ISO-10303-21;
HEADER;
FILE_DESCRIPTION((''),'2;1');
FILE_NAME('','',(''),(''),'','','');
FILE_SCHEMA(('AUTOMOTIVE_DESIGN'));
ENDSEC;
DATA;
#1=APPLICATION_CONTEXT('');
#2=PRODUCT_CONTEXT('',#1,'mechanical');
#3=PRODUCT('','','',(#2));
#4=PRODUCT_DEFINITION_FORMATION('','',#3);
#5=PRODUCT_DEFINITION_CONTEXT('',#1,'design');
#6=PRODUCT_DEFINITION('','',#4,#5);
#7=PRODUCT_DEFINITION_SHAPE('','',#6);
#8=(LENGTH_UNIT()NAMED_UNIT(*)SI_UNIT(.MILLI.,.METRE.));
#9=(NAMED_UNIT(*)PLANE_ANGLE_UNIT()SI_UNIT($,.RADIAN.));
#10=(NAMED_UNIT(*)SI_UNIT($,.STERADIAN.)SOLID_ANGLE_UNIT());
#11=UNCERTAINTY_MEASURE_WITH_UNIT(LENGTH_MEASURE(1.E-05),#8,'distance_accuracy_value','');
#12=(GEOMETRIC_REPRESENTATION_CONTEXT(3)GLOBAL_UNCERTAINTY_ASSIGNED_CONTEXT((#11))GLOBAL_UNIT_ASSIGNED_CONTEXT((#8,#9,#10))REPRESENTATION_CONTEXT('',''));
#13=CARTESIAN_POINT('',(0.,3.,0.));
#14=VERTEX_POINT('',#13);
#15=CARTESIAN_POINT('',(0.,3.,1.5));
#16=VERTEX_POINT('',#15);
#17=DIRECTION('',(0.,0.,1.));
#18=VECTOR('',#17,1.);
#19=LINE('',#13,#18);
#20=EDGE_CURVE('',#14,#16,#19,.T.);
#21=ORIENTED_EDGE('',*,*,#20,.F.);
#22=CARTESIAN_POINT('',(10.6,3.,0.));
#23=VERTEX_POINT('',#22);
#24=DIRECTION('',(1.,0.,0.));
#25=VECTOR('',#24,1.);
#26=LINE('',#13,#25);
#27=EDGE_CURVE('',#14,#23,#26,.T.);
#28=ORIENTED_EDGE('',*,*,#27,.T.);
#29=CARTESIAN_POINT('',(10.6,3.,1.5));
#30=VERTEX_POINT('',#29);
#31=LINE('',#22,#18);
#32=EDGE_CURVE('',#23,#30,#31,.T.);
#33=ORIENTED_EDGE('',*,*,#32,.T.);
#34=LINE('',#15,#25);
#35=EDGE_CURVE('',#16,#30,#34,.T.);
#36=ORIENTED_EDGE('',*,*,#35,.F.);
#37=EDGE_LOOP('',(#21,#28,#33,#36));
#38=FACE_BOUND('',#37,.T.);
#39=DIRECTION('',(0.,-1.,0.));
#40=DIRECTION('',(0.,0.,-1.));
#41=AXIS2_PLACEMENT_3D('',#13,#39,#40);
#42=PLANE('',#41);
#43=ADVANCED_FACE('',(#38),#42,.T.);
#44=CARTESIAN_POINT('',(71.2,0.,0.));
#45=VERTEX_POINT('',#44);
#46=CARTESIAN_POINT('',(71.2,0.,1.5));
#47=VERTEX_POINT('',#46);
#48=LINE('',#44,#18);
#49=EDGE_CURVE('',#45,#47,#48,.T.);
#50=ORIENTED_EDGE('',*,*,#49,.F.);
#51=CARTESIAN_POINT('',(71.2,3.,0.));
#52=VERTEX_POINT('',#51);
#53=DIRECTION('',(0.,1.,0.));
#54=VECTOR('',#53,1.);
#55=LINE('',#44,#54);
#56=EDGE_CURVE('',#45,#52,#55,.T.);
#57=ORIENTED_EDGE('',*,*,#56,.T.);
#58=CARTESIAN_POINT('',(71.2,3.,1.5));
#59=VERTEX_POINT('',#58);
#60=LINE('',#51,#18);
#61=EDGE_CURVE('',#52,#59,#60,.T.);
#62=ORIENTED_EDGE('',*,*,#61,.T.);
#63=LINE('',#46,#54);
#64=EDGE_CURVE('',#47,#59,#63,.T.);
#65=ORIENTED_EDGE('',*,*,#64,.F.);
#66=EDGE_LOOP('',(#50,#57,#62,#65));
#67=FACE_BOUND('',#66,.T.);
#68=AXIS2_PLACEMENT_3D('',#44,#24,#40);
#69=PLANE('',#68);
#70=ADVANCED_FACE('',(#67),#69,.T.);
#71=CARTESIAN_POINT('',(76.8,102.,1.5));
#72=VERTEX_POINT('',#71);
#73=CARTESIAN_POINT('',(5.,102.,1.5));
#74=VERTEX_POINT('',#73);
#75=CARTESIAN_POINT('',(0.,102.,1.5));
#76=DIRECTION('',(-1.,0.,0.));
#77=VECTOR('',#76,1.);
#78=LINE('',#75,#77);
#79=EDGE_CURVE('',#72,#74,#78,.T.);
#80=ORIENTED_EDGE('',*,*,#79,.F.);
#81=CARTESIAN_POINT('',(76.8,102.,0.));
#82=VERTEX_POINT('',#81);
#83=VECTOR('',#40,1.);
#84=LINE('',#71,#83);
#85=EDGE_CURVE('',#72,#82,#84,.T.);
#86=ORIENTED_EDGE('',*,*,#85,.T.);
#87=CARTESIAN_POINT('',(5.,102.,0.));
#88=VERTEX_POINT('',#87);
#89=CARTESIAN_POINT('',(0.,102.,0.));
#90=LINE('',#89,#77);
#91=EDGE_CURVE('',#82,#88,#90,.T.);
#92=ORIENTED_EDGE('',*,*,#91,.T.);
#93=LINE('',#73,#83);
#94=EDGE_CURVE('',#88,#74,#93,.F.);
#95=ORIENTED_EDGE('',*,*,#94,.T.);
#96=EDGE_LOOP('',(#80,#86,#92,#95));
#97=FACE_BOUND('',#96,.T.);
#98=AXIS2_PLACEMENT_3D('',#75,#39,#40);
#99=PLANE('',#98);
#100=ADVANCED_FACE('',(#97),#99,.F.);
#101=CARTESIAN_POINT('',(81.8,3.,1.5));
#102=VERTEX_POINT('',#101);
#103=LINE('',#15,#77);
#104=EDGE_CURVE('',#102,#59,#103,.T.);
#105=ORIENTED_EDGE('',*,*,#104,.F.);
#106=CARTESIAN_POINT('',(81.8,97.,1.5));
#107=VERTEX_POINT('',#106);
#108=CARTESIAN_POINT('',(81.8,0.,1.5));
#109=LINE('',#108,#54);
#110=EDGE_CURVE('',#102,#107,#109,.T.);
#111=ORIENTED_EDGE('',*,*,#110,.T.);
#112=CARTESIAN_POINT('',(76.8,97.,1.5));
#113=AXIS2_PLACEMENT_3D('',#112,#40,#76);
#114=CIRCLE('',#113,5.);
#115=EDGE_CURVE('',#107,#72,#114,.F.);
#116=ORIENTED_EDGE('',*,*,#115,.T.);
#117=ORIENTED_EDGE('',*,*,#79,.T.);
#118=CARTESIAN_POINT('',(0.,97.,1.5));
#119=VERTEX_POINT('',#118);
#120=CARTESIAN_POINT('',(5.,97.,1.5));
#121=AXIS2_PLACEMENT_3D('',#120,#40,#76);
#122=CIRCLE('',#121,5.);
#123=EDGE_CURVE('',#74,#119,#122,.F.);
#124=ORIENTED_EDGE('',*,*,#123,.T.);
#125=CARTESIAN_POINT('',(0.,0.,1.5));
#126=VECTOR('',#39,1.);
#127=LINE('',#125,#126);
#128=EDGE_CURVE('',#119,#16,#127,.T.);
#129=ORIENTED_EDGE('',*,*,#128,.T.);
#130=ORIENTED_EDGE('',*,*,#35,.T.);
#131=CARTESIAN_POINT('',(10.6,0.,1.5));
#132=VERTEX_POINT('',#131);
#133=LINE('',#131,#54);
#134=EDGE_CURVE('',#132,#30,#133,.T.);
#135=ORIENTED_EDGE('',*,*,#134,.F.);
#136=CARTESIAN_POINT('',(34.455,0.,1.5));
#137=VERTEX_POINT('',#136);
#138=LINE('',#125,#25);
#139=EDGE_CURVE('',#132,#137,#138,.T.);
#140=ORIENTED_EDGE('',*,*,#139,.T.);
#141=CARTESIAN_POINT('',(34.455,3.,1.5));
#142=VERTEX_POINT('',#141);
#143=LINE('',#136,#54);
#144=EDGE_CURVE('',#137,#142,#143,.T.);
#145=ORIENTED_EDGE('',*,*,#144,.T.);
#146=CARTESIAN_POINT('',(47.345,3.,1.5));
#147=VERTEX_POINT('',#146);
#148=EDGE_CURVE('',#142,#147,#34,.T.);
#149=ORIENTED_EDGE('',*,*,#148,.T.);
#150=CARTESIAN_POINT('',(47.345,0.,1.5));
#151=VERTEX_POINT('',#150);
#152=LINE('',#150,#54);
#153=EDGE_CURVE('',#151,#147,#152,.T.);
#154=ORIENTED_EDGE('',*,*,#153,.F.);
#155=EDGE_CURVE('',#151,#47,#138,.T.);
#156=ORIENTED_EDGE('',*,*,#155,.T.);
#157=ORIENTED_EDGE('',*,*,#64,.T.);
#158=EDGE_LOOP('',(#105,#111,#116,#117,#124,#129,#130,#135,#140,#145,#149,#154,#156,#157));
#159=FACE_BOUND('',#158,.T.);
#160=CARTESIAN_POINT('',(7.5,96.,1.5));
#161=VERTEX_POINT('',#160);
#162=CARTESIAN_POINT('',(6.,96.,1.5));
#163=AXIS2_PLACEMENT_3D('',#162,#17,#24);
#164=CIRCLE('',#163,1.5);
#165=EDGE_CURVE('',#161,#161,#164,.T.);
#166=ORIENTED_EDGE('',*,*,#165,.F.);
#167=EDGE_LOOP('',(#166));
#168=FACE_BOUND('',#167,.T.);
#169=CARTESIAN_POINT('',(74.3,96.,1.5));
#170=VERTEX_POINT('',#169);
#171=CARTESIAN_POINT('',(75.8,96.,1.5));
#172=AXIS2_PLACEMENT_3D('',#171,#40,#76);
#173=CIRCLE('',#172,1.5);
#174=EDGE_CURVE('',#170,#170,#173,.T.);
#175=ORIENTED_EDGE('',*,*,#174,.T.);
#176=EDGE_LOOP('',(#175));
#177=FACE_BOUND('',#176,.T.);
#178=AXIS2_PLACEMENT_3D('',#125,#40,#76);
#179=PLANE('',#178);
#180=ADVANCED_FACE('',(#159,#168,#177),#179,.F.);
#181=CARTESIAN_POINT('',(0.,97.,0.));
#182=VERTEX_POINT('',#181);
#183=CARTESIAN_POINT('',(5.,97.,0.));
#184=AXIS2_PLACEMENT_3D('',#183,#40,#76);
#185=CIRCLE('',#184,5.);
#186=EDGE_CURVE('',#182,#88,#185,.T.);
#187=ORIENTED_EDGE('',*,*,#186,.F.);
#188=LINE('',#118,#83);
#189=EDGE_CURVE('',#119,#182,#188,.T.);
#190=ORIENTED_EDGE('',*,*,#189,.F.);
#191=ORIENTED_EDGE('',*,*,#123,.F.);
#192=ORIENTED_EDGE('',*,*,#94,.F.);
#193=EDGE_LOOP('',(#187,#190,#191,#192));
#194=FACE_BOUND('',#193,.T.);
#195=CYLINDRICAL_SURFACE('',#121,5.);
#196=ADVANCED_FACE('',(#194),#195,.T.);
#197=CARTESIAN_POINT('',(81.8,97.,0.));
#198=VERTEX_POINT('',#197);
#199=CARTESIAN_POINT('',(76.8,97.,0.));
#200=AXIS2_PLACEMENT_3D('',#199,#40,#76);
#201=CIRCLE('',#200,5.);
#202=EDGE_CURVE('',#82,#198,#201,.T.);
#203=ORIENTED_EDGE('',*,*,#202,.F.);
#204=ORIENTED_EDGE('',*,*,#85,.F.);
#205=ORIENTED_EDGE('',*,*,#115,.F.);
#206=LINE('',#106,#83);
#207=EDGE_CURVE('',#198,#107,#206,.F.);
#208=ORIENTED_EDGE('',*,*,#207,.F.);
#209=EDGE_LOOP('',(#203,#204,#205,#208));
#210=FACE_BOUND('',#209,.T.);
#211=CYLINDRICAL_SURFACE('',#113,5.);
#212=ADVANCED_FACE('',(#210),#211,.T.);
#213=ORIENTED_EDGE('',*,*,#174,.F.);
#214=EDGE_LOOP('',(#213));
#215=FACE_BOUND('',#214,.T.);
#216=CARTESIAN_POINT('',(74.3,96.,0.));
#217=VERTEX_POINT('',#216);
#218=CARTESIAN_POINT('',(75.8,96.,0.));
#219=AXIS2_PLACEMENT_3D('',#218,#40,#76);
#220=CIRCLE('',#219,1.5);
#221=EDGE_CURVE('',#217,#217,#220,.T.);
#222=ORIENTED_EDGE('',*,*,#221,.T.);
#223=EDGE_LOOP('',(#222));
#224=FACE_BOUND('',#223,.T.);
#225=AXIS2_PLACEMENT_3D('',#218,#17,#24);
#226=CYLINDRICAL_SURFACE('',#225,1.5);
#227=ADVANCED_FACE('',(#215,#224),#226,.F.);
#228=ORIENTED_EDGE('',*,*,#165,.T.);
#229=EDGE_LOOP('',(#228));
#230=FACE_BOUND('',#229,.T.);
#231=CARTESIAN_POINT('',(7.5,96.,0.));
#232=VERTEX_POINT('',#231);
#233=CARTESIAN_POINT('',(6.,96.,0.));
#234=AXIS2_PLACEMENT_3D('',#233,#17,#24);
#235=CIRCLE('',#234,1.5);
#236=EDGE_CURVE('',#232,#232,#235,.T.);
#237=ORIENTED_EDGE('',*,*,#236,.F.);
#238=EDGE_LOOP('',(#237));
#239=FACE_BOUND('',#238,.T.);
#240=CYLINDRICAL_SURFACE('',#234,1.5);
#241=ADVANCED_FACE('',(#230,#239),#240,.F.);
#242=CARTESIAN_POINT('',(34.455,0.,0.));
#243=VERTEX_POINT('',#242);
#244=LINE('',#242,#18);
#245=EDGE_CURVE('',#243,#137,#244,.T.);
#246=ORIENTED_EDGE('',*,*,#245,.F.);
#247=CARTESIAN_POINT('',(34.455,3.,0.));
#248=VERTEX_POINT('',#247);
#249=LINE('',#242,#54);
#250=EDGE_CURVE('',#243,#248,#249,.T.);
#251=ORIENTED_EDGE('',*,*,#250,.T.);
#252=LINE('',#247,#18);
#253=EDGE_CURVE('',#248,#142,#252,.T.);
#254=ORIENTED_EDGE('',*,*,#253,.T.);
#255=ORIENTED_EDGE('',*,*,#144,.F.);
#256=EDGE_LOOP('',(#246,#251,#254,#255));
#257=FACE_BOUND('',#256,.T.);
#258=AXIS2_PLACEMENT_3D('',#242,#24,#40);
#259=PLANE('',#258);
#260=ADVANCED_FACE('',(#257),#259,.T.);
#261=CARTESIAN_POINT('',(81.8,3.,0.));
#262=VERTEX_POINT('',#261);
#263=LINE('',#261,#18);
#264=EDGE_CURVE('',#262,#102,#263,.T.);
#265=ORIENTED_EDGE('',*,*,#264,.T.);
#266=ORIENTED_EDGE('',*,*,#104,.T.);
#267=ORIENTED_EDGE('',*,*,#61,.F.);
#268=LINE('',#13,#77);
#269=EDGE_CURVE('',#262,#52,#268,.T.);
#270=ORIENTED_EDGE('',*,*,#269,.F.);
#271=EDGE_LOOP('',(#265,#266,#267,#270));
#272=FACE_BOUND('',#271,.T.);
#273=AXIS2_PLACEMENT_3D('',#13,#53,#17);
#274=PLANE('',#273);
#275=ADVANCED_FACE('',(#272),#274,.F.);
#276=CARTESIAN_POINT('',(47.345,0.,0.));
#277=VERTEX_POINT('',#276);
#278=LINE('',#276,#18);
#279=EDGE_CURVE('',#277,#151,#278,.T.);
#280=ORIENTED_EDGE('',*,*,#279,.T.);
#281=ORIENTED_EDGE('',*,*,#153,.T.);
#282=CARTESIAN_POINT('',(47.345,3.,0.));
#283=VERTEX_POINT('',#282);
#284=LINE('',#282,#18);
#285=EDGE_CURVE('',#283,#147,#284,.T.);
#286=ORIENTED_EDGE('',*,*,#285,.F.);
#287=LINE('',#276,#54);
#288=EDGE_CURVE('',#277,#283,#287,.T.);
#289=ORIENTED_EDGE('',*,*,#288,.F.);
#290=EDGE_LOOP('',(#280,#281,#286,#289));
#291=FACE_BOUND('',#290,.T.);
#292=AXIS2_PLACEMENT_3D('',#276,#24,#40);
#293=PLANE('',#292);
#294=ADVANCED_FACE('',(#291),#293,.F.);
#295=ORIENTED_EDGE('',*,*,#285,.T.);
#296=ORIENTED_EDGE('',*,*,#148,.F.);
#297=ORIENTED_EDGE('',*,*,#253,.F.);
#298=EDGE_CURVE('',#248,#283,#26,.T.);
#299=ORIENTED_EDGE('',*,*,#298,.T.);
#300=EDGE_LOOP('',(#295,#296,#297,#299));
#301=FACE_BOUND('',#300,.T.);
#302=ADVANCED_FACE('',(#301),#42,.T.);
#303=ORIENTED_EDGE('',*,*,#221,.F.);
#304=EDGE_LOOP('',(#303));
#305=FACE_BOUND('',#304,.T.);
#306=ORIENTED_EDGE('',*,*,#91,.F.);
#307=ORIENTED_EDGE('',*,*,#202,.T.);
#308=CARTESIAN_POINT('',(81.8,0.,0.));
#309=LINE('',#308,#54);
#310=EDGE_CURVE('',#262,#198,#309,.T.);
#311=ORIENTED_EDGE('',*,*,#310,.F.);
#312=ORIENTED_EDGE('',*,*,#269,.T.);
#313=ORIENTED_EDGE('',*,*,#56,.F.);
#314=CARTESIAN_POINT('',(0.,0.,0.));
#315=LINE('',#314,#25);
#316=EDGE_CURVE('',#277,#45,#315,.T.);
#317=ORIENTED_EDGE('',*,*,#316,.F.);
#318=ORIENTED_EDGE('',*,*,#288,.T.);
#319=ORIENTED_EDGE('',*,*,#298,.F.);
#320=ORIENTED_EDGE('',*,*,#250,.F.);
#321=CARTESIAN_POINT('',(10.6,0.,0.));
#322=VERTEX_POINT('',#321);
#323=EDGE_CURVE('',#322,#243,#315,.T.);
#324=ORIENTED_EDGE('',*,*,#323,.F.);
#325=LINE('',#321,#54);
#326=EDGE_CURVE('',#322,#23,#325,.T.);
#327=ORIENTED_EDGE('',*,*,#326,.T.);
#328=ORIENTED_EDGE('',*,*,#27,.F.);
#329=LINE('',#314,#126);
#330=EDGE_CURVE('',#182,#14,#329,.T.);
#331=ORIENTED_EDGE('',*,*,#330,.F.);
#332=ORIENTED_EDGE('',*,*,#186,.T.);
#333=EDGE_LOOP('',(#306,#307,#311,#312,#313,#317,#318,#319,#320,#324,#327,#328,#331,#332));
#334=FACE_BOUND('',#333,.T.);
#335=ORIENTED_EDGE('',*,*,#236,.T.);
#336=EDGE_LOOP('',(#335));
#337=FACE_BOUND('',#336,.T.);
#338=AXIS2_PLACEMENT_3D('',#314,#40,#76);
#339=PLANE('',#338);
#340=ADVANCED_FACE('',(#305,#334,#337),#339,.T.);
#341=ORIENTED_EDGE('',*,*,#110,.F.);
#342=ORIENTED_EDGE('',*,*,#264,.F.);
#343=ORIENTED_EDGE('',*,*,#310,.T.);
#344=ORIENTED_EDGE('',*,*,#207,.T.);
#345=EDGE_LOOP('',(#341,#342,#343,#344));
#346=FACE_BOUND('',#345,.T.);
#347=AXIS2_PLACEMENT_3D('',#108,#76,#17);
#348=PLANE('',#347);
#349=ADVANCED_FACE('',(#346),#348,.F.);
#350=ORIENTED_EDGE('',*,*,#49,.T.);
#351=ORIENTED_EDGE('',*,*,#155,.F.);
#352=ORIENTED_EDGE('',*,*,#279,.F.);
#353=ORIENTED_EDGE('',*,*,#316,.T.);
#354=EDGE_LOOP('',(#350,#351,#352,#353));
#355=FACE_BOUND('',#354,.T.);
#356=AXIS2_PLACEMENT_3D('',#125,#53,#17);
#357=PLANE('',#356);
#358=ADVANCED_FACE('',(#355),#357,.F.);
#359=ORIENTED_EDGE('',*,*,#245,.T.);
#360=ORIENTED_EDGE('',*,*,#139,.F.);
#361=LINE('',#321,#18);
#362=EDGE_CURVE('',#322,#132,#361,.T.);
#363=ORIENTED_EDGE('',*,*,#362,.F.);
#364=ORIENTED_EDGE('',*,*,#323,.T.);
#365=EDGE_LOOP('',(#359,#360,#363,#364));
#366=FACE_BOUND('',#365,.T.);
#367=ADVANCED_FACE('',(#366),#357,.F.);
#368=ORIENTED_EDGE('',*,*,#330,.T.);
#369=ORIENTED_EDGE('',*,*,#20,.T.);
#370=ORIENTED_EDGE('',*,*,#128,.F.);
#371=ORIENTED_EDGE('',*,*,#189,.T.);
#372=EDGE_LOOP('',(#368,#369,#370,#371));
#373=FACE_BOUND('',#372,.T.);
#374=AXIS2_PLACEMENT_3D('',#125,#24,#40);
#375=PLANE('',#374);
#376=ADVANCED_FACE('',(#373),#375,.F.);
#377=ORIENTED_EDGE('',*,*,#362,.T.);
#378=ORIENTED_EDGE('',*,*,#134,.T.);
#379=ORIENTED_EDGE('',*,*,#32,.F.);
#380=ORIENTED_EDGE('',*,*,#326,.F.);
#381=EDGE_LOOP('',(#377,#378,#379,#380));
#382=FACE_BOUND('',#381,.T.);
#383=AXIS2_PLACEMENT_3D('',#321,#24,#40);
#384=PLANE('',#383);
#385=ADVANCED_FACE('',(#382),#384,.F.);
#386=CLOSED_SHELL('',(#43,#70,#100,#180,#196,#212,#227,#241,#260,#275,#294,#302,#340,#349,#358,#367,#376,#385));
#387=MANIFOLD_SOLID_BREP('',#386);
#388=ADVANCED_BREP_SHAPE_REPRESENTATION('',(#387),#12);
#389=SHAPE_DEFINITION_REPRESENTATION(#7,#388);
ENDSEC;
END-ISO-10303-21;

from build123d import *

# Parameters (mm, degrees)
SKETCH1_W           = 81.8
SKETCH1_H           = 102
BOSS_EXTRUDE1_DEPTH = 1.5
SKETCH2_W           = 10.6
SKETCH2_H           = 3
SKETCH2_W_2         = 6.445
SKETCH2_R           = 1.5
CUT_EXTRUDE1_DEPTH  = 2.5
FILLET1_R           = 5


with BuildPart() as part:
    # Sketch1 → Boss-Extrude1 (new body)
    with BuildSketch(Plane.XY):
        with Locations((40.9, 51)):
            Rectangle(SKETCH1_W, SKETCH1_H)
    extrude(amount=BOSS_EXTRUDE1_DEPTH)

    # Sketch2 → Cut-Extrude1 (cut, through all)
    with BuildSketch(Plane.XY.offset(1.5)):
        with Locations((5.3, 1.5)):
            Rectangle(SKETCH2_W, SKETCH2_H)
        with Locations((44.1225, 1.5)):
            Rectangle(SKETCH2_W_2, SKETCH2_H)
        with Locations((37.6775, 1.5)):
            Rectangle(SKETCH2_W_2, SKETCH2_H)
        with Locations((76.5, 1.5)):
            Rectangle(SKETCH2_W, SKETCH2_H)
        with Locations((6, 96)):
            Circle(SKETCH2_R)
        with Locations((75.8, 96)):
            Circle(SKETCH2_R)
    extrude(amount=-CUT_EXTRUDE1_DEPTH, mode=Mode.SUBTRACT)

    # Fillet1
    fillet1_edges = [part.edges().sort_by_distance(p)[0] for p in [
        (0, 102, 0.75),
        (81.8, 102, 0.75),
    ]]
    fillet(fillet1_edges, radius=FILLET1_R)


solid = part.part
